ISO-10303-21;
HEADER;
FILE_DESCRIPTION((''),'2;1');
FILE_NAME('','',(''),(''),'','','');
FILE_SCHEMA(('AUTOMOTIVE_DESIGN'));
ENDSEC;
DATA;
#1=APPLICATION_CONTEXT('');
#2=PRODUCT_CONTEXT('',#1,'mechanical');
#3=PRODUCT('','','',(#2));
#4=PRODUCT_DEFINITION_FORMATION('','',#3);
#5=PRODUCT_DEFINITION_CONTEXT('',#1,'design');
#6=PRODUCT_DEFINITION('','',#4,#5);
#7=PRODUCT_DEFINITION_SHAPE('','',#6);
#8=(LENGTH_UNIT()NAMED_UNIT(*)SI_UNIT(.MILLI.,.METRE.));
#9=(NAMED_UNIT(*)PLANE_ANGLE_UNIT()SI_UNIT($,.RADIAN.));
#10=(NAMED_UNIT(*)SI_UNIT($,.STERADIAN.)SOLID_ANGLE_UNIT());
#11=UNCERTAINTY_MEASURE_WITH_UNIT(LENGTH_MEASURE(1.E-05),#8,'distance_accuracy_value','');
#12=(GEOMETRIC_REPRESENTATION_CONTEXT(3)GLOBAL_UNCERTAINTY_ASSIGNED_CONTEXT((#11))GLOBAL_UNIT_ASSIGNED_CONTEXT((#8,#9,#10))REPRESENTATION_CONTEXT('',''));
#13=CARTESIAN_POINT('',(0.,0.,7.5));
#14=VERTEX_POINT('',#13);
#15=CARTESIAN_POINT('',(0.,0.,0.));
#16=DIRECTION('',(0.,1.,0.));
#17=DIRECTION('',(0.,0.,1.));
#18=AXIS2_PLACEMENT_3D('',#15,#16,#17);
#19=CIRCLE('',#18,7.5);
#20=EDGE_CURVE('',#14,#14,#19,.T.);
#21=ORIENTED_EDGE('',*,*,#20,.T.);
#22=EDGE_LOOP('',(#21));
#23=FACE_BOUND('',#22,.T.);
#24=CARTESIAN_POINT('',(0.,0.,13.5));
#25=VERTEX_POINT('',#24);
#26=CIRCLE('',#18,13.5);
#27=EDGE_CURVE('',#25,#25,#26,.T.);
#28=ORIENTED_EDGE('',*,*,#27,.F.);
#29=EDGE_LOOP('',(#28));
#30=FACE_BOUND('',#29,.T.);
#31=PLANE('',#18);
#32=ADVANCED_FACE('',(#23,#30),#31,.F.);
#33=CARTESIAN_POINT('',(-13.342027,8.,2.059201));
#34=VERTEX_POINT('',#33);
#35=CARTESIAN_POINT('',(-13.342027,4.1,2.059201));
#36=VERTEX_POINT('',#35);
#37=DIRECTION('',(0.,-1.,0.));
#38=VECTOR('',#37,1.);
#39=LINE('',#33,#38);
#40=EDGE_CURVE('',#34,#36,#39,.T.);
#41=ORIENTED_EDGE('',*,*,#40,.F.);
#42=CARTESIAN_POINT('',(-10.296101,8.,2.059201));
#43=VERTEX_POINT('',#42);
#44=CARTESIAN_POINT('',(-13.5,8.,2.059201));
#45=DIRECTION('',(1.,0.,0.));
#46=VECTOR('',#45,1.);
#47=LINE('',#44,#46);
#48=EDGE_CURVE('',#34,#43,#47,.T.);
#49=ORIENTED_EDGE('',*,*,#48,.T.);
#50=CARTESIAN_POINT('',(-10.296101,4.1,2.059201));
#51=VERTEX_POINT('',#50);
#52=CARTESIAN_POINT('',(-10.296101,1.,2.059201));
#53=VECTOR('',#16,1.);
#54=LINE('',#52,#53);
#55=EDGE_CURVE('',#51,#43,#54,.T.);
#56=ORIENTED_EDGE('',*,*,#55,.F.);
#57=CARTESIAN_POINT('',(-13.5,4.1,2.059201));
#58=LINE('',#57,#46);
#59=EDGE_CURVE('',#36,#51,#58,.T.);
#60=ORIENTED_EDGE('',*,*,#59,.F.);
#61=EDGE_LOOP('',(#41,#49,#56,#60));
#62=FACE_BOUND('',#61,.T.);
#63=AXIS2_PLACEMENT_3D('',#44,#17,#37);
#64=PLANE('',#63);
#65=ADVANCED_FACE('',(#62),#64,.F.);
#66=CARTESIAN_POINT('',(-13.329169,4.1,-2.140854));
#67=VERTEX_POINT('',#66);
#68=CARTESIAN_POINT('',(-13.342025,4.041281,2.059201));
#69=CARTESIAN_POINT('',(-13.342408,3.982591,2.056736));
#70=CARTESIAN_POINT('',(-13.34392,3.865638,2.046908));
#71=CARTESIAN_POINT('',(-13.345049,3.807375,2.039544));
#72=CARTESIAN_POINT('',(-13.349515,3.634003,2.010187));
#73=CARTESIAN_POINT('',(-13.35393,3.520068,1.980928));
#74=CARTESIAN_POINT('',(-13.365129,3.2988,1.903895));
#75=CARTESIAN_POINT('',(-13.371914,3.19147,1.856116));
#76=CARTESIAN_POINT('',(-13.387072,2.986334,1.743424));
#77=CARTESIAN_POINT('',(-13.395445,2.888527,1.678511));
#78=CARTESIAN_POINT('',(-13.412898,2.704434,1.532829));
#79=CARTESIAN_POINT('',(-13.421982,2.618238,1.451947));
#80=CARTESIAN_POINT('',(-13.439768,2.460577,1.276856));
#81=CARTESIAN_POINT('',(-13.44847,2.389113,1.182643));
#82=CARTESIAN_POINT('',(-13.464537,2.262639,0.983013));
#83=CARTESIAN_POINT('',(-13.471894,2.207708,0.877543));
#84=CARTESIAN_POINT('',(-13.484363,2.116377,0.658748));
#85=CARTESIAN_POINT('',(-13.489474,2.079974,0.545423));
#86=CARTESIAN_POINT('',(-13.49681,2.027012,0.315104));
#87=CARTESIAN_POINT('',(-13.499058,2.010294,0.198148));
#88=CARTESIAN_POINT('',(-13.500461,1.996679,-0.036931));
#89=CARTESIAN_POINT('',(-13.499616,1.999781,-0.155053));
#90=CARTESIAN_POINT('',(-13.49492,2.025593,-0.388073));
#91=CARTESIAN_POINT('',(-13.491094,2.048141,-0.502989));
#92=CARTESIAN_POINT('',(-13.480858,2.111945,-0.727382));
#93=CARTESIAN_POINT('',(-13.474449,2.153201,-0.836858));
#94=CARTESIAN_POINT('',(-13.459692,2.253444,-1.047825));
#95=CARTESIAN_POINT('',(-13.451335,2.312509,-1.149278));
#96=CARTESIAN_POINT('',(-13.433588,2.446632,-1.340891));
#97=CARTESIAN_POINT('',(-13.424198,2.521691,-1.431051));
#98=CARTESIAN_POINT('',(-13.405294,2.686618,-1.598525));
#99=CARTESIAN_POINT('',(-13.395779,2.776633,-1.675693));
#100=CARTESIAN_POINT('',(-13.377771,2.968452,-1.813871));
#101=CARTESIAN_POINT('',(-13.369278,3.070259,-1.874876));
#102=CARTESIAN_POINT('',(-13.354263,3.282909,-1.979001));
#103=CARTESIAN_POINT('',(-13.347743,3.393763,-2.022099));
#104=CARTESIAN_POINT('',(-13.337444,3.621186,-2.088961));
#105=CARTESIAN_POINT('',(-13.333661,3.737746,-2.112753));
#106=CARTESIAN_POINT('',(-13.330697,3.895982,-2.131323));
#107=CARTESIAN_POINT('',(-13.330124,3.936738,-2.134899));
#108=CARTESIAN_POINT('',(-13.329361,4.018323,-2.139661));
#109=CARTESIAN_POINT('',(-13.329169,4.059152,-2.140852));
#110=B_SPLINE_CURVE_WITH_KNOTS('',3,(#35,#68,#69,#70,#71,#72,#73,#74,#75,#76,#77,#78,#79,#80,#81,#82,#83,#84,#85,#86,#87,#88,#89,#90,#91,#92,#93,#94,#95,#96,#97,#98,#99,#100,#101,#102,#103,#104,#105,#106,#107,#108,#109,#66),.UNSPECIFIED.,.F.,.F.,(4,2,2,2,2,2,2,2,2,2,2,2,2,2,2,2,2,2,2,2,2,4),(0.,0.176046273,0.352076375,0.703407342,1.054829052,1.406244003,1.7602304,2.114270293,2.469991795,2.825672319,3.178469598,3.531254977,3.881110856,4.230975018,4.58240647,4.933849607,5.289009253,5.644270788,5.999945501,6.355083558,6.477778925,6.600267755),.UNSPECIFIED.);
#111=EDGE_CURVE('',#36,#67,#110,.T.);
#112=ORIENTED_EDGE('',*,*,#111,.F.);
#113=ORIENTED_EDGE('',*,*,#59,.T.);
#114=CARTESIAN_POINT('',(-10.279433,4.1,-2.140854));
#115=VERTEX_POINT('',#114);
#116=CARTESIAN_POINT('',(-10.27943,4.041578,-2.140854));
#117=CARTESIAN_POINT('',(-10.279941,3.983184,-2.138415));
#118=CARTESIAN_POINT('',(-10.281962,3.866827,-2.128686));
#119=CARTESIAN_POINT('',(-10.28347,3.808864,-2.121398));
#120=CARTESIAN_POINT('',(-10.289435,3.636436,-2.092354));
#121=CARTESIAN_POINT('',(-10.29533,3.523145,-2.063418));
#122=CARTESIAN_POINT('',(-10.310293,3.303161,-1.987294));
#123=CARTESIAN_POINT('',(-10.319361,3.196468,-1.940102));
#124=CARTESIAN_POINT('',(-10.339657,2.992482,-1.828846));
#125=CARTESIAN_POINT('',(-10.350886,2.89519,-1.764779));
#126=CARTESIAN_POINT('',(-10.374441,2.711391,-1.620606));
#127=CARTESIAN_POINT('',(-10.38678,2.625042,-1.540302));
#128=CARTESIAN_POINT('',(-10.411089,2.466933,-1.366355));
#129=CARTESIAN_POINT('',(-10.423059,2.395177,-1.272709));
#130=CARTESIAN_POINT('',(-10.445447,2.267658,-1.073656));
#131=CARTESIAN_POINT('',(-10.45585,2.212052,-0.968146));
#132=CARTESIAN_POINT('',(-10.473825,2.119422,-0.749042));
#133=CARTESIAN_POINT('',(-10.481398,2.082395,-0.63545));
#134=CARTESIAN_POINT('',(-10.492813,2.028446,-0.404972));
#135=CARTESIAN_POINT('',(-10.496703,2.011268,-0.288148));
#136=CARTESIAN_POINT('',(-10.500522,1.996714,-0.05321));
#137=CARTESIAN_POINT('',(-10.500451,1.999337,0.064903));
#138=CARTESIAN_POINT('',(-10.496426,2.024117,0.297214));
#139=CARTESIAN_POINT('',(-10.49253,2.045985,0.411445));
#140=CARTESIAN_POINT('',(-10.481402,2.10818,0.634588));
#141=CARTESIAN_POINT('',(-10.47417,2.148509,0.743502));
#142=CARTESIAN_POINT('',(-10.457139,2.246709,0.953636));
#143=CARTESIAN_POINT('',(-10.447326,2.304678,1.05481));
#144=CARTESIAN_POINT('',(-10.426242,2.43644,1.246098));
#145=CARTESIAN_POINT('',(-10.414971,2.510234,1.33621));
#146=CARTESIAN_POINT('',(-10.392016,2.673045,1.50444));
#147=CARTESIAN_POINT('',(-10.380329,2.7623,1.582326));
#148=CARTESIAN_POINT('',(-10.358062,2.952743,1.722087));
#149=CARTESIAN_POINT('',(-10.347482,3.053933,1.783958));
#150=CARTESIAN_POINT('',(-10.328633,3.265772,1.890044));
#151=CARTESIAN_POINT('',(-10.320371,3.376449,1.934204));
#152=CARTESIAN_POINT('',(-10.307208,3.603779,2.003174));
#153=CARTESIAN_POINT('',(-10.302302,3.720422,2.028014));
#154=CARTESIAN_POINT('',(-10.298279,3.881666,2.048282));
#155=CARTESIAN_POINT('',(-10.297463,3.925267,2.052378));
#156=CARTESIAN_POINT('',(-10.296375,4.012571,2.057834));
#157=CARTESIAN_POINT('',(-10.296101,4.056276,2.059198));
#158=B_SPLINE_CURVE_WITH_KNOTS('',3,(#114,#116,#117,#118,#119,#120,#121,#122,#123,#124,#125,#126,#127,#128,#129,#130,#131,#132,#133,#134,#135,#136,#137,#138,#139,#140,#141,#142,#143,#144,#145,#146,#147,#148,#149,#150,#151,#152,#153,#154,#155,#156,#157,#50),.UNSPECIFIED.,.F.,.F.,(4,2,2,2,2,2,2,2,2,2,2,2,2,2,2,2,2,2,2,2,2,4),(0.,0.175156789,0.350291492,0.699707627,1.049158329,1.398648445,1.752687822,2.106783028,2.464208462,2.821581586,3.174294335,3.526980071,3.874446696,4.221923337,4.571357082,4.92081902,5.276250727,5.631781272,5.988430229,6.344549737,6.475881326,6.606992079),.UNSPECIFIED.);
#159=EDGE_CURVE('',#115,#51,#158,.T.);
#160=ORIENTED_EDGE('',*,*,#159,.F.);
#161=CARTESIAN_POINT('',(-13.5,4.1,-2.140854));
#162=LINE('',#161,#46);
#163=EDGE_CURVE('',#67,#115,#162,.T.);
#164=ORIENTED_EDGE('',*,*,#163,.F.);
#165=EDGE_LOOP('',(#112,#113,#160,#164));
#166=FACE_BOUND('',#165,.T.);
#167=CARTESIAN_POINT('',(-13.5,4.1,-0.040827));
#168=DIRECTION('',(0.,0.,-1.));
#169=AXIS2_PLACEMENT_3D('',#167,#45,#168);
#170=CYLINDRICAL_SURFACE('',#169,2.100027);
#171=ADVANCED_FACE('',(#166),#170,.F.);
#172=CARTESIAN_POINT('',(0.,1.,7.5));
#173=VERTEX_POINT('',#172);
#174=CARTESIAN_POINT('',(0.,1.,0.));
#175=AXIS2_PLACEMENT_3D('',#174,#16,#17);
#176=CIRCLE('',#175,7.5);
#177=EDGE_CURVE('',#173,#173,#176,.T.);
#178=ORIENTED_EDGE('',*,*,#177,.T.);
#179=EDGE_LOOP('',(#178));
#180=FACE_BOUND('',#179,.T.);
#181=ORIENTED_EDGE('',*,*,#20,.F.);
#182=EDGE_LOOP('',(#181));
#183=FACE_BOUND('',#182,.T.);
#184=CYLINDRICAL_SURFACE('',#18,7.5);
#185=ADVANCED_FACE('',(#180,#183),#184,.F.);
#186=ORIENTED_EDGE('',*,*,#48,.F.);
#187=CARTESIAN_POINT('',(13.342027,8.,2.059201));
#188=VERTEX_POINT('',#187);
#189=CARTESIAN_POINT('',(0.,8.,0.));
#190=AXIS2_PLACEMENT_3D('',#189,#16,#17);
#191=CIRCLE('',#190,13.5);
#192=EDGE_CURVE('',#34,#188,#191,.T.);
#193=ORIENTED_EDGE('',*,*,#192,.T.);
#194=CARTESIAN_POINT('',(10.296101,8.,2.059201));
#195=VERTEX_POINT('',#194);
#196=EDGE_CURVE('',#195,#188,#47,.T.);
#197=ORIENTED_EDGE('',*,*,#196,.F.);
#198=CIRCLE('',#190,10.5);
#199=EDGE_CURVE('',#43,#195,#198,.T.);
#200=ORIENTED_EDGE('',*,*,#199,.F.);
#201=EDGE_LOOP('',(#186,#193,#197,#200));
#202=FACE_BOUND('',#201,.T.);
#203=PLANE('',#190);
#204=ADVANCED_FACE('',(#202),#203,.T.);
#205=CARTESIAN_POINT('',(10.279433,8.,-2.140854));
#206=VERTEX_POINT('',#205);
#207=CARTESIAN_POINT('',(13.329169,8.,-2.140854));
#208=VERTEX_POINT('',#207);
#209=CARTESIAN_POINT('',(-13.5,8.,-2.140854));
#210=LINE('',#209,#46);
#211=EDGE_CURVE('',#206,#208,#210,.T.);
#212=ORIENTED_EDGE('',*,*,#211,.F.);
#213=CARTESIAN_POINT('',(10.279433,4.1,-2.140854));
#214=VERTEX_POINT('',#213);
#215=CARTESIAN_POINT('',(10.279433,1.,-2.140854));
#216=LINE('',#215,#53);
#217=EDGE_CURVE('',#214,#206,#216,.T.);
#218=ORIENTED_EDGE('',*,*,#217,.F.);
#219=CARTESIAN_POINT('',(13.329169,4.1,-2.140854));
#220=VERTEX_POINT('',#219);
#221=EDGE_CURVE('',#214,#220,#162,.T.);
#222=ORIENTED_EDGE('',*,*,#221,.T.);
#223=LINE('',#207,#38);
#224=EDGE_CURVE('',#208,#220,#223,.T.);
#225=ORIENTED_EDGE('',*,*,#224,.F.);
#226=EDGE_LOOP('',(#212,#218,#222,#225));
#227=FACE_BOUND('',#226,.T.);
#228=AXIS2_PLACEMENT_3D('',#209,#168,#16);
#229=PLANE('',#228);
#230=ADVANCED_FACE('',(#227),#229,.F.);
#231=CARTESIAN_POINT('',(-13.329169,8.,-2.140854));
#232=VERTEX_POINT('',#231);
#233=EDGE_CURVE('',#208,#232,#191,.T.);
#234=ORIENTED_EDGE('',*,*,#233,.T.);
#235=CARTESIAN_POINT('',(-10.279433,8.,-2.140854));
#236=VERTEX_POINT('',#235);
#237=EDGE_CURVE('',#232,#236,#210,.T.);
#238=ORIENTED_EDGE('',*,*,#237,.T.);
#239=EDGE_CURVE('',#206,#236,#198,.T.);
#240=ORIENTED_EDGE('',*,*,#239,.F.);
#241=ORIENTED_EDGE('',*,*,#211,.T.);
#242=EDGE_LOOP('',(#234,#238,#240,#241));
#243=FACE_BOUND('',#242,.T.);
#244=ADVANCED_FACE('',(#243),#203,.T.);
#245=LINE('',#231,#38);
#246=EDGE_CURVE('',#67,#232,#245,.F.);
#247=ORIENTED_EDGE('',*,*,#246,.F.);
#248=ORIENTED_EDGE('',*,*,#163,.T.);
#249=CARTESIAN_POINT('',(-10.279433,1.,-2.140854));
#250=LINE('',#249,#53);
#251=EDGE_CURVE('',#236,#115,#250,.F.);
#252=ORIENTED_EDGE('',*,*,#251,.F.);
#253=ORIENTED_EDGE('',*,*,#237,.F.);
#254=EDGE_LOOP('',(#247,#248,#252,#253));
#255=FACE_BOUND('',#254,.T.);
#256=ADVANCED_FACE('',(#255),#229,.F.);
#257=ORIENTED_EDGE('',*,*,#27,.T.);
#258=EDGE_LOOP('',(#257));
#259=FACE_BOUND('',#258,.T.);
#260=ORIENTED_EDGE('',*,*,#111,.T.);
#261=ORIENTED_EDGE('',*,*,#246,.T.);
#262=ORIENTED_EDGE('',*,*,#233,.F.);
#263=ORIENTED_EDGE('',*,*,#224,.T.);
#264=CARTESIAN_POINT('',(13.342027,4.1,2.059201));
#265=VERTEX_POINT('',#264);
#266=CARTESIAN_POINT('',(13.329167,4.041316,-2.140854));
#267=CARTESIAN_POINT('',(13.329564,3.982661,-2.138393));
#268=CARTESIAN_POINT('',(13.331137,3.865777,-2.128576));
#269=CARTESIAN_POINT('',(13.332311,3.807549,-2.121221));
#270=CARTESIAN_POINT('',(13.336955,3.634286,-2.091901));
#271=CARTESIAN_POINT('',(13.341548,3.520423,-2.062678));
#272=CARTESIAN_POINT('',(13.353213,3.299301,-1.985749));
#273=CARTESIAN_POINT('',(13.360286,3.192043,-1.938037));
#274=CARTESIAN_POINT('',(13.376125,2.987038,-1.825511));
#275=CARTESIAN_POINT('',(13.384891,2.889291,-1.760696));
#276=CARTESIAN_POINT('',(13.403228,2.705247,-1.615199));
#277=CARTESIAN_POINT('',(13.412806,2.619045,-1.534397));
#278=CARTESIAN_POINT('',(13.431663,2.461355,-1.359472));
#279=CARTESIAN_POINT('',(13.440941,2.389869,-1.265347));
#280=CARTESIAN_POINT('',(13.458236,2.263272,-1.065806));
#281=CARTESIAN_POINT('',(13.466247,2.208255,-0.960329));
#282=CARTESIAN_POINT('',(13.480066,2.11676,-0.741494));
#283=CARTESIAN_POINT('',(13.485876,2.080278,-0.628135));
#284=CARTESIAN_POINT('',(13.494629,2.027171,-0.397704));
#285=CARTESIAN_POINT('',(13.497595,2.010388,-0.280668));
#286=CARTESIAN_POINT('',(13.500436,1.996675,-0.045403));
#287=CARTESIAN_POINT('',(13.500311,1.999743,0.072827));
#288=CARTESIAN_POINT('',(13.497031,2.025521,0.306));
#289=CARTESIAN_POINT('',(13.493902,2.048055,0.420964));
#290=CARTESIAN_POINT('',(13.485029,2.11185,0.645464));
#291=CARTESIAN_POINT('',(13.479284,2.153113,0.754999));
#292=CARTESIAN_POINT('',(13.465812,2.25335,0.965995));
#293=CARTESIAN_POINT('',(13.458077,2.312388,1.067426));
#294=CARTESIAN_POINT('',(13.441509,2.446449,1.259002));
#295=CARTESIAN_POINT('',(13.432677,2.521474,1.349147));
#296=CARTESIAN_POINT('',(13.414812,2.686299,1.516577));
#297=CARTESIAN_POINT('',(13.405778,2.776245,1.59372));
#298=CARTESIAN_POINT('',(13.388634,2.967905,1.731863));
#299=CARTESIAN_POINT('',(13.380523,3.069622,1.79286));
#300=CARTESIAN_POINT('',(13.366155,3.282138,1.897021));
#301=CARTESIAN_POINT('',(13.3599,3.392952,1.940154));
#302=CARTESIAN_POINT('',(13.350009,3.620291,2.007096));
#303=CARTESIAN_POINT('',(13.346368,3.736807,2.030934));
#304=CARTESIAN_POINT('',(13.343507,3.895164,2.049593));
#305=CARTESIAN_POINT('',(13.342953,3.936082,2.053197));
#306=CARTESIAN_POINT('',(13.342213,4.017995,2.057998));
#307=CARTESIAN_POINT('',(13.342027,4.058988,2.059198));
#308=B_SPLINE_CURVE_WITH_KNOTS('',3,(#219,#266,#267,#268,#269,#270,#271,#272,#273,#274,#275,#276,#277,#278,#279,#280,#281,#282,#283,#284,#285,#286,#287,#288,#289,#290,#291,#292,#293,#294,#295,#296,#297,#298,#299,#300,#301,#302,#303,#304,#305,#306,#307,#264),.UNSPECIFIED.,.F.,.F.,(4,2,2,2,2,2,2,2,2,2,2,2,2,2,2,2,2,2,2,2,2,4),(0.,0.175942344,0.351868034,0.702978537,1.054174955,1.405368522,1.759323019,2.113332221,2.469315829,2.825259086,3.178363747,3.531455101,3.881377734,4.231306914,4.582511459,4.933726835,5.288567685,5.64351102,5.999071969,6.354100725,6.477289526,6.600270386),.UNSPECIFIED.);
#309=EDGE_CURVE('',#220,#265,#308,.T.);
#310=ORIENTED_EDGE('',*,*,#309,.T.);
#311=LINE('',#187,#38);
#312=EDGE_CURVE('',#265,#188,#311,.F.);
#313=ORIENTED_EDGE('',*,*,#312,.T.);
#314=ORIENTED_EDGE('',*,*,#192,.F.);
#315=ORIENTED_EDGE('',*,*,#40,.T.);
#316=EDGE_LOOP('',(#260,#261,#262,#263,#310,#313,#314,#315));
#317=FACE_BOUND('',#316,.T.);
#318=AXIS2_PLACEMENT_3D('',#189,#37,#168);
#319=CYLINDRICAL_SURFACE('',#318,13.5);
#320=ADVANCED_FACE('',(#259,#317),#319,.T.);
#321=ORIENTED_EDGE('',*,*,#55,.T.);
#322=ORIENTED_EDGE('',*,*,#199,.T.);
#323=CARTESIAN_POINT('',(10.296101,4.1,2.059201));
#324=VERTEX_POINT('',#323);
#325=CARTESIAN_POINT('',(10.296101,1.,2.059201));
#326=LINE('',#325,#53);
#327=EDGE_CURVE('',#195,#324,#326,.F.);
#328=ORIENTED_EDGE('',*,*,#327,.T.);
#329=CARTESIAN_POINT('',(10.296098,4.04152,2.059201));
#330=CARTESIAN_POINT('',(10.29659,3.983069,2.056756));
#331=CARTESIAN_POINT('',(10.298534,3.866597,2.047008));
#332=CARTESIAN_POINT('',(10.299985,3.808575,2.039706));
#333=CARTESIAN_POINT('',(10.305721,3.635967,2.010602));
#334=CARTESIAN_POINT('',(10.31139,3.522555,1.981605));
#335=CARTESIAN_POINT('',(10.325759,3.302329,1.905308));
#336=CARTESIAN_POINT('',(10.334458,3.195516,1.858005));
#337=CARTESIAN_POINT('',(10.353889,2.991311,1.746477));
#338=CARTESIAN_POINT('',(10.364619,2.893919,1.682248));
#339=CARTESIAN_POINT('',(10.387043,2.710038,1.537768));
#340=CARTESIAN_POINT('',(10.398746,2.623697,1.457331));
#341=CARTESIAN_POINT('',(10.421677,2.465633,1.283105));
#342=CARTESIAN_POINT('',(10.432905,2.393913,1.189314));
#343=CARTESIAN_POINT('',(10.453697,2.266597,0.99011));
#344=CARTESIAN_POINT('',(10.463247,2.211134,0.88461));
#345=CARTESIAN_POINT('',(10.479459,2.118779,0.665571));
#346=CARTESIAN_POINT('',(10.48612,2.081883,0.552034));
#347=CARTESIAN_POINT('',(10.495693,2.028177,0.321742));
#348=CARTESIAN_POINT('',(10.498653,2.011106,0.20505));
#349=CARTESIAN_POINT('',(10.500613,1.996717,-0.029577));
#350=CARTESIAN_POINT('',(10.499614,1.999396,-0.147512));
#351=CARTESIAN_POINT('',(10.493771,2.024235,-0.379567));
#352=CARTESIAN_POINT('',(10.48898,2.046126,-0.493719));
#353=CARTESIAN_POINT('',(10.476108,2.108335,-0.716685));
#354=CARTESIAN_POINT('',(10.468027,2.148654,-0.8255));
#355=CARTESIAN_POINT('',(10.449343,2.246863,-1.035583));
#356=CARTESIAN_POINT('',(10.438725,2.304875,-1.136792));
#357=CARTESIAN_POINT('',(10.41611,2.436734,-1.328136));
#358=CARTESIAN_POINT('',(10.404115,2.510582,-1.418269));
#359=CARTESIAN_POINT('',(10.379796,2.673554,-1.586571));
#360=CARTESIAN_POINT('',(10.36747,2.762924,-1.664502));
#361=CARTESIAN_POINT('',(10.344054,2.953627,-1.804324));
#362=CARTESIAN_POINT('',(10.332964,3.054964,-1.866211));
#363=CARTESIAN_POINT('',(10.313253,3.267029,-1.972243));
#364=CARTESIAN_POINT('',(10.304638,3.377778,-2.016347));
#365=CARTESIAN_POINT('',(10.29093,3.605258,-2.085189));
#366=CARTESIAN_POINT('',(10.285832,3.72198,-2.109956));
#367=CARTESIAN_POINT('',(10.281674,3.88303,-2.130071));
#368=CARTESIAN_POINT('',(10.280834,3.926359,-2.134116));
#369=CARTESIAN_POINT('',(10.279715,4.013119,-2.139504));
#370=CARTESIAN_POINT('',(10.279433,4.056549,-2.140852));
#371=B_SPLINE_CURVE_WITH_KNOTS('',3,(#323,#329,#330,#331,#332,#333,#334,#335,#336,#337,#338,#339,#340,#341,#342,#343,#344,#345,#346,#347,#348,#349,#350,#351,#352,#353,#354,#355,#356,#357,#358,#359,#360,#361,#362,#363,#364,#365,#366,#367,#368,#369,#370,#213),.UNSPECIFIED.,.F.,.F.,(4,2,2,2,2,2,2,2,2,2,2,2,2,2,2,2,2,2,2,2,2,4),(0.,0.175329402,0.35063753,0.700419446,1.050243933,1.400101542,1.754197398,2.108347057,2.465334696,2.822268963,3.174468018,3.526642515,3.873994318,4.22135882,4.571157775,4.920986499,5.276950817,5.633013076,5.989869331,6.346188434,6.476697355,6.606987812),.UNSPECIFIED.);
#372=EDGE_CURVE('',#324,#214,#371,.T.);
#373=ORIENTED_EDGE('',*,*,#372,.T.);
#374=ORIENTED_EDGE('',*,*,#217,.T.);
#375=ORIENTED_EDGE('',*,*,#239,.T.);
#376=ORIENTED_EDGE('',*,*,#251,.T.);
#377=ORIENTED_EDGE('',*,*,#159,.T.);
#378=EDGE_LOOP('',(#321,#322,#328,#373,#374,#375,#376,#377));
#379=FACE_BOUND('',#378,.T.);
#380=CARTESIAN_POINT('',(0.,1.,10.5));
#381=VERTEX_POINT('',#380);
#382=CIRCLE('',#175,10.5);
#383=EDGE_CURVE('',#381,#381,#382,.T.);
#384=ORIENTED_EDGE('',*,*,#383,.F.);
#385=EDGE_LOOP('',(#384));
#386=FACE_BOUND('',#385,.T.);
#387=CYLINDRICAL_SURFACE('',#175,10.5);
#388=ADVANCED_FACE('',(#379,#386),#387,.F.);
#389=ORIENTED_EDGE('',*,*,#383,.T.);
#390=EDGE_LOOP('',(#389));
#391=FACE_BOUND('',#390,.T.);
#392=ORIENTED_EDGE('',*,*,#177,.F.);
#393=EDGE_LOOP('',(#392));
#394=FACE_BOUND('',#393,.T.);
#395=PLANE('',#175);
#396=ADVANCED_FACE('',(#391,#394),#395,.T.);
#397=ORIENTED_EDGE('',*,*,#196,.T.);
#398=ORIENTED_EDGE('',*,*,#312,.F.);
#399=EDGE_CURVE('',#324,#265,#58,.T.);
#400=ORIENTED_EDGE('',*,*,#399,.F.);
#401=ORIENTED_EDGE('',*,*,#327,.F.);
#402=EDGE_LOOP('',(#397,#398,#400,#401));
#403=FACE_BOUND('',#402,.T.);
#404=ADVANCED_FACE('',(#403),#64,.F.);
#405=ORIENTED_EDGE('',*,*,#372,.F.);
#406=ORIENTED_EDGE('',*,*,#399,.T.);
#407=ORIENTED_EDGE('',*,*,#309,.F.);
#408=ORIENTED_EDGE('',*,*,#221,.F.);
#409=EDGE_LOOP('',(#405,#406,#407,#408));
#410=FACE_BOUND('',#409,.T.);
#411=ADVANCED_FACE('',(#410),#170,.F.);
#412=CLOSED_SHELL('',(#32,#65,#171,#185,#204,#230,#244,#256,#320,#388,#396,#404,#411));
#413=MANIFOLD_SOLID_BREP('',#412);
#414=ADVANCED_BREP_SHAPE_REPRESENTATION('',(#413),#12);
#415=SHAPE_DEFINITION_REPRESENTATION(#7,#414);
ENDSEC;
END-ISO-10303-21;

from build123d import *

# Parameters (mm, degrees)
SCHIZZO1_R                    = 13.5
ESTRUSIONE_ESTRUSIONE1_DEPTH  = 8
SCHIZZO2_R                    = 10.5
TAGLIO_ESTRUSIONE1_DEPTH      = 7
SCHIZZO3_R                    = 7.5
TAGLIO_ESTRUSIONE2_DEPTH      = 2
TAGLIO_ESTRUSIONE4_DEPTH      = 14.5
TAGLIO_ESTRUSIONE4_DEPTH_BACK = 14.5


with BuildPart() as part:
    # Schizzo1 → Estrusione-Estrusione1 (new body)
    with BuildSketch(Plane(origin=(0, 0, 0), x_dir=(1, 0, 0), z_dir=(0, 1, 0))):
        Circle(SCHIZZO1_R)
    extrude(amount=ESTRUSIONE_ESTRUSIONE1_DEPTH)

    # Schizzo2 → Taglio-Estrusione1 (cut)
    with BuildSketch(Plane(origin=(0, 8, 0), x_dir=(1, 0, 0), z_dir=(0, 1, 0))):
        Circle(SCHIZZO2_R)
    extrude(amount=-TAGLIO_ESTRUSIONE1_DEPTH, mode=Mode.SUBTRACT)

    # Schizzo3 → Taglio-Estrusione2 (cut, through all)
    with BuildSketch(Plane(origin=(0, 1, 0), x_dir=(1, 0, 0), z_dir=(0, 1, 0))):
        Circle(SCHIZZO3_R)
    extrude(amount=-TAGLIO_ESTRUSIONE2_DEPTH, mode=Mode.SUBTRACT)

    # Schizzo4 → Taglio-Estrusione4 (cut, two sides)
    with BuildSketch(Plane(origin=(0, 0, 0), x_dir=(0, 0, -1), z_dir=(1, 0, 0))) as taglio_estrusione4_sk:
        with BuildLine():
            Line((2.140854023, 8), (-2.059200669, 8))
            Line((-2.059200669, 8), (-2.059200669, 4.1))
            ThreePointArc((-2.059200669, 4.1), (0.040826677, 1.999972654), (2.140854023, 4.1))
            Line((2.140854023, 4.1), (2.140854023, 8))
        make_face()
    extrude(amount=TAGLIO_ESTRUSIONE4_DEPTH, mode=Mode.SUBTRACT)
    extrude(taglio_estrusione4_sk.sketch, amount=-TAGLIO_ESTRUSIONE4_DEPTH_BACK, mode=Mode.SUBTRACT)


solid = part.part
